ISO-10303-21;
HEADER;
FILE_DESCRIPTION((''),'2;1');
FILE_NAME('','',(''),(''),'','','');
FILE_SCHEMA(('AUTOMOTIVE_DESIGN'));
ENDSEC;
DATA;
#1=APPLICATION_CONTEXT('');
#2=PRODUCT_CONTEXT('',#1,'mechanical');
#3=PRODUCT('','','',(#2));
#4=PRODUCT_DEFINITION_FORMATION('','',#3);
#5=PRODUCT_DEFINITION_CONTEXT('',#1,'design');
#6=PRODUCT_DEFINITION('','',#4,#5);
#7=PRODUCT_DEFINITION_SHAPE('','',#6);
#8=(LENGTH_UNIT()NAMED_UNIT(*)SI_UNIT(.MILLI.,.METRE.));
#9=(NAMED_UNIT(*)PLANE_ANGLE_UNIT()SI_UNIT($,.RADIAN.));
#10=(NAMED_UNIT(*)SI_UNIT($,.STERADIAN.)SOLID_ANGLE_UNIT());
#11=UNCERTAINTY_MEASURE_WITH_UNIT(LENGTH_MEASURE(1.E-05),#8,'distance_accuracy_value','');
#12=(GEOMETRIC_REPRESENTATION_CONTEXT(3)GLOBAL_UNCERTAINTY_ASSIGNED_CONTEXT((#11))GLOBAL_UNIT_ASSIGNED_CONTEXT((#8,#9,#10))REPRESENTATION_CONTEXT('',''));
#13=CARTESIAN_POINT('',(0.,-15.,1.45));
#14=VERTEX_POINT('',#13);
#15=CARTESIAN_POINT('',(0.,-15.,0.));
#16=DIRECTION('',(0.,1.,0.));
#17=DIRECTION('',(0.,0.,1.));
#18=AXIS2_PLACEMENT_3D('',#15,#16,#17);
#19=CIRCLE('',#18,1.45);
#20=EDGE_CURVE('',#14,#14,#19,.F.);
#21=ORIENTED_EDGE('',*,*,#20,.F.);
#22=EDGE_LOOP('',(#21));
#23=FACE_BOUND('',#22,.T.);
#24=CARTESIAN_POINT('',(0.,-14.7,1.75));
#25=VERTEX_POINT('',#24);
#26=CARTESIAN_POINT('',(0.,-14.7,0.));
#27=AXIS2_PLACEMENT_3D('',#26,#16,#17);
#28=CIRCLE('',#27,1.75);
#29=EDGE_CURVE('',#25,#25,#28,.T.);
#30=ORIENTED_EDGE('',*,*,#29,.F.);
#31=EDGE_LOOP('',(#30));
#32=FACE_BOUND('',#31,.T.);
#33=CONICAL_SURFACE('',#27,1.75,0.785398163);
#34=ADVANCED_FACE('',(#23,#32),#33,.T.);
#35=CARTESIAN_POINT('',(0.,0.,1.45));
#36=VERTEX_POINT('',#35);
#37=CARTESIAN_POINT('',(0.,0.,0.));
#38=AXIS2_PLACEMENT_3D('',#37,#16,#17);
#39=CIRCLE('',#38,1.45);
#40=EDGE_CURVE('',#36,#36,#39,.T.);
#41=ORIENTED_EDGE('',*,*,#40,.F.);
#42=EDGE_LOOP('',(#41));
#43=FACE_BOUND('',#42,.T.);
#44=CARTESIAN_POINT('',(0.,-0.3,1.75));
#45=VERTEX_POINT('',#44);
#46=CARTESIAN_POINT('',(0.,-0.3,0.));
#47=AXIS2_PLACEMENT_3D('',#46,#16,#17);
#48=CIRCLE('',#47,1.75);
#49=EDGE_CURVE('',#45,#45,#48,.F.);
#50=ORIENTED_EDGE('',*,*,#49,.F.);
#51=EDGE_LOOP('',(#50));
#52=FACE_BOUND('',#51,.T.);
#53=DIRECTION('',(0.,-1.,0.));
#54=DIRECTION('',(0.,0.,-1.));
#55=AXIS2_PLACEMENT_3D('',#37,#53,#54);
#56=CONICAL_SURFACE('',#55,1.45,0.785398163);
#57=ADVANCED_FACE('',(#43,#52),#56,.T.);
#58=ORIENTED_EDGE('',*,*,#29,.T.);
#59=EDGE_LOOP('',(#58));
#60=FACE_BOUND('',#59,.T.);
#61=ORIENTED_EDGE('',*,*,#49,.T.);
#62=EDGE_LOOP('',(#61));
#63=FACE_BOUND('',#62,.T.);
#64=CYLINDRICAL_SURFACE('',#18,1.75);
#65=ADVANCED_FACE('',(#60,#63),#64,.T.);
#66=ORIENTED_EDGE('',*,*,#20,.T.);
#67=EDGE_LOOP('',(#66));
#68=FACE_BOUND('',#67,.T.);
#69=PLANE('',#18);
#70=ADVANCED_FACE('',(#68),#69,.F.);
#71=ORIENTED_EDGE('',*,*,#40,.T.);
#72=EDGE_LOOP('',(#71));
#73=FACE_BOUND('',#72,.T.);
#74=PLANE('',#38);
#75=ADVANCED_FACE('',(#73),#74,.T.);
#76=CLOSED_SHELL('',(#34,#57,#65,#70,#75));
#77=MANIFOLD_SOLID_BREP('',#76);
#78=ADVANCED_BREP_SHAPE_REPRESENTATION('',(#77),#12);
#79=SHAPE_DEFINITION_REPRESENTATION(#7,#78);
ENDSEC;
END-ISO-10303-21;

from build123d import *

# Parameters (mm, degrees)
SKETCH1_R           = 1.75
BOSS_EXTRUDE1_DEPTH = 15
CHAMFER1_SIZE       = 0.3


with BuildPart() as part:
    # Sketch1 → Boss-Extrude1 (new body)
    with BuildSketch(Plane(origin=(0, 0, 0), x_dir=(1, 0, 0), z_dir=(0, 1, 0))):
        with Locations(Location((0, 0, 0), (0, 0, 270))):
            Circle(SKETCH1_R)
    extrude(amount=-BOSS_EXTRUDE1_DEPTH)

    # Chamfer1
    chamfer1_edges = [part.edges().sort_by_distance(p)[0] for p in [
        (0, 0, -1.75),
        (0, -15, -1.75),
    ]]
    chamfer(chamfer1_edges, length=CHAMFER1_SIZE)


solid = part.part
